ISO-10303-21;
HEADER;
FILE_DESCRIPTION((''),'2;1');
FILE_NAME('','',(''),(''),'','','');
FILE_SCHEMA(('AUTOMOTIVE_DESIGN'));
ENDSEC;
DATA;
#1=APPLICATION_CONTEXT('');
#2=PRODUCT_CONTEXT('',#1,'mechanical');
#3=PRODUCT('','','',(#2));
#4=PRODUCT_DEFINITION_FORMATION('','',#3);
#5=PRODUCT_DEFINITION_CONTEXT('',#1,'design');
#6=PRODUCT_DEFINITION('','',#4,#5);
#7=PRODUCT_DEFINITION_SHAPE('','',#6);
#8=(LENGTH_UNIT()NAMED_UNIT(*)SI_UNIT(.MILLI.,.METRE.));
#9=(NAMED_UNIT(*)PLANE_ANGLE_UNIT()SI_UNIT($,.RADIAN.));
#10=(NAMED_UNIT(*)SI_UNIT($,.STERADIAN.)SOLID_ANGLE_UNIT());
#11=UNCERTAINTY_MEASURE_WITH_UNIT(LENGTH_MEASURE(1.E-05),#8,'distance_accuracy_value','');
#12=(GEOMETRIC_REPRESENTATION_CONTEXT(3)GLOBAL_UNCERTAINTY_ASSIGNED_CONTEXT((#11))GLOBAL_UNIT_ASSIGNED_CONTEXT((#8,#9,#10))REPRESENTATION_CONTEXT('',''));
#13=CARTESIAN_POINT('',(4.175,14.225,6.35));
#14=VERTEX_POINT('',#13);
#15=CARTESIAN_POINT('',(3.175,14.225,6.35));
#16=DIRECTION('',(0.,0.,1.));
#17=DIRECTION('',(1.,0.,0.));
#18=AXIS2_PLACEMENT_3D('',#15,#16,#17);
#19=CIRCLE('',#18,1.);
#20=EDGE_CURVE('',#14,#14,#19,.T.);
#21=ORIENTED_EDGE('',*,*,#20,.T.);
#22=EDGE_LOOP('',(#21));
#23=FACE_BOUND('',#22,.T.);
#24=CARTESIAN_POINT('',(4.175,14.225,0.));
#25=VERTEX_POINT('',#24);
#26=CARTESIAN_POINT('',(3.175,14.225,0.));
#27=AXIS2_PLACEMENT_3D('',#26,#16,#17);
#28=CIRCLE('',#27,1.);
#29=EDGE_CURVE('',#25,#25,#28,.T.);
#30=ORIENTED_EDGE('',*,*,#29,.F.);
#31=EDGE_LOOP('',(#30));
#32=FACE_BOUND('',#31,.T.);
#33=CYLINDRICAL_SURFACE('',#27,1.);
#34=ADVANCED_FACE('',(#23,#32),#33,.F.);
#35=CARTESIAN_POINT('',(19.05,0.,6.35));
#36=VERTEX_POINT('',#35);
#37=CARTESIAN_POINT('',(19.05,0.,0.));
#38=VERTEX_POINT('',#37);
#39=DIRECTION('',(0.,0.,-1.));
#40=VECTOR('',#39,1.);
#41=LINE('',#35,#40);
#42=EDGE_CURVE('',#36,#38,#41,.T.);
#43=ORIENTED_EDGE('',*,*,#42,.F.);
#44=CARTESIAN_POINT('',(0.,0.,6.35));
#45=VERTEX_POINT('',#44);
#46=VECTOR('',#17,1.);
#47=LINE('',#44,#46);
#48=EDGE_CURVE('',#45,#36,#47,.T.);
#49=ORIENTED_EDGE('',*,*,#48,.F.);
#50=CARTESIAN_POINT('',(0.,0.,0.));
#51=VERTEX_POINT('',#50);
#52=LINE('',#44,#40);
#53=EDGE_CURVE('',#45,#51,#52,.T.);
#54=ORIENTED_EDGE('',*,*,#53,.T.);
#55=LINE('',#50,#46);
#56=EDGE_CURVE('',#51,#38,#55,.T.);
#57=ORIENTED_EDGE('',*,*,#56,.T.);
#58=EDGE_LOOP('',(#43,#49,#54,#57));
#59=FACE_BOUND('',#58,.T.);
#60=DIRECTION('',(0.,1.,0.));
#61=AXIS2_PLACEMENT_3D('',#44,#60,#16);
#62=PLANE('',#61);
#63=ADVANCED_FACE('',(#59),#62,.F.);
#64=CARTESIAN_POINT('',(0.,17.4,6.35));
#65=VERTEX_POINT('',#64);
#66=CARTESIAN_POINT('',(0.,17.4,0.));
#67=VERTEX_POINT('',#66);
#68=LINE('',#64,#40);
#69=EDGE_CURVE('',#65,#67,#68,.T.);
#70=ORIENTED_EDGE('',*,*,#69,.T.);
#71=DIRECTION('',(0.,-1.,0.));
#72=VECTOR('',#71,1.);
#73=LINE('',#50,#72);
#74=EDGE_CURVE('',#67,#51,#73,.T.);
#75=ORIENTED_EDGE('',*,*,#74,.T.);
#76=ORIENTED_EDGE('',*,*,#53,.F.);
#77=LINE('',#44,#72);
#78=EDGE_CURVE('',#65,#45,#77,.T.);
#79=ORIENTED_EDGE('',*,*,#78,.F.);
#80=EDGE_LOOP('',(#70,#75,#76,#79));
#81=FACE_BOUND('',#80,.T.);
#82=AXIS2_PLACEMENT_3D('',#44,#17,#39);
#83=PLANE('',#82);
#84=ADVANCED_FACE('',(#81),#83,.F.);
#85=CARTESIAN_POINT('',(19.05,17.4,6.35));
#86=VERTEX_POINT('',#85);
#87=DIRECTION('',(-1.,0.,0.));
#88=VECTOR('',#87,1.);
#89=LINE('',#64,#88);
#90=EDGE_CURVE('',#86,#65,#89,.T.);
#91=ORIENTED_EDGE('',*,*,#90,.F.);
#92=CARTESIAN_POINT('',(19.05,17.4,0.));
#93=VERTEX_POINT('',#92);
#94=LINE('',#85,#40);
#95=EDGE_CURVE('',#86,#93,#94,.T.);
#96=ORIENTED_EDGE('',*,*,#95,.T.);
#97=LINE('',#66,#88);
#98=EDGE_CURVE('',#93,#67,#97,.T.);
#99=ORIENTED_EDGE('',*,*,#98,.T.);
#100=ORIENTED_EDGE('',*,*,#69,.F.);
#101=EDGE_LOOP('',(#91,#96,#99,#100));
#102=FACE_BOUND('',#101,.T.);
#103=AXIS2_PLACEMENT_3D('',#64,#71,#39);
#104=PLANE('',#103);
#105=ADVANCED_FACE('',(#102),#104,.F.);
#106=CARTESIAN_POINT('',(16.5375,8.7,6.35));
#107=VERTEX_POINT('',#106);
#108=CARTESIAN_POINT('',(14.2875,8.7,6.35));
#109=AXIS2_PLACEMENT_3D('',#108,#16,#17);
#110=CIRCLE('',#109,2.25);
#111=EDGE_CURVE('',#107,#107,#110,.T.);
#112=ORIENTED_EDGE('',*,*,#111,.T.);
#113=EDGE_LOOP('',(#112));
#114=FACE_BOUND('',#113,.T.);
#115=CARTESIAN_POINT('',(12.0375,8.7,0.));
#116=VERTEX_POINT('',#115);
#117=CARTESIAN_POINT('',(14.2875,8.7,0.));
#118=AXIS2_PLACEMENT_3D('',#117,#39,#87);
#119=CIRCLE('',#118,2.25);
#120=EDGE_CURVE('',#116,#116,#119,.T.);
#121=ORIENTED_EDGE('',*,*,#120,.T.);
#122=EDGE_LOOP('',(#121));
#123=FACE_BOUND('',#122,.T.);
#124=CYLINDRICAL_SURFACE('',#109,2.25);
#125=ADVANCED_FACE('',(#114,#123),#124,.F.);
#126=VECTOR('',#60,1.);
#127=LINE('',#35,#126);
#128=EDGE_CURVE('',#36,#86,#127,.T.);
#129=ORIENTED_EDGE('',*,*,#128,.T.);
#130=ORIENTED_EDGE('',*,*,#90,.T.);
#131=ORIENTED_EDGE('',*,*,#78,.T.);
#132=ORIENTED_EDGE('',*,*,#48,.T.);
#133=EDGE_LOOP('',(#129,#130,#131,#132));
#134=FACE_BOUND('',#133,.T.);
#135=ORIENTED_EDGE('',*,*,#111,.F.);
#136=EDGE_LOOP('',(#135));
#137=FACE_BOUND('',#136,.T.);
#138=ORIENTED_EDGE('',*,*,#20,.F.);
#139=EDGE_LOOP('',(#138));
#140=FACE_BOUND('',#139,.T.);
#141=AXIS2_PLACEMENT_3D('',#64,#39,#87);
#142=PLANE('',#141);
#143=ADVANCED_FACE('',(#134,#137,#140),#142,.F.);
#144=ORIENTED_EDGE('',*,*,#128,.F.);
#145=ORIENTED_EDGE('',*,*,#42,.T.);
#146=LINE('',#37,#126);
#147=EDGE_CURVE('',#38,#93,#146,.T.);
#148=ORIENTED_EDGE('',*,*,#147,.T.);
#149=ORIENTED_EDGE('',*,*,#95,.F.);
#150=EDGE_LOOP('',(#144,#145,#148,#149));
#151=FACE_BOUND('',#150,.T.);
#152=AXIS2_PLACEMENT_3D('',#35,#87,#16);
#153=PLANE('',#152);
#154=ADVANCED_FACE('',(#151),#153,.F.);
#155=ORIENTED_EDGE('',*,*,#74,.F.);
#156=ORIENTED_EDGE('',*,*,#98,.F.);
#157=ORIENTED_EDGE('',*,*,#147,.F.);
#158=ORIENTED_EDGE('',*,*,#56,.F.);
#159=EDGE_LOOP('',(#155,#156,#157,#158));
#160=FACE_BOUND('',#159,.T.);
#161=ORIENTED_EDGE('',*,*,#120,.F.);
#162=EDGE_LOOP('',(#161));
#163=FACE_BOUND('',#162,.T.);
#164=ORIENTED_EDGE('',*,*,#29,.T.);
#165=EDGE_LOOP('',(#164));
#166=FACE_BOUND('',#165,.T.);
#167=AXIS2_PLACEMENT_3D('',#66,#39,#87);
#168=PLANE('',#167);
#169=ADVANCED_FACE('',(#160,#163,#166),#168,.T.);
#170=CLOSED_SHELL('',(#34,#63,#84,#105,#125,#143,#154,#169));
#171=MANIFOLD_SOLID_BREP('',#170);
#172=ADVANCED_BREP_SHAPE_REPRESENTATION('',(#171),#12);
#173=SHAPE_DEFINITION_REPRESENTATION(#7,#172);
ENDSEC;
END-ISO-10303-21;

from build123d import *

# Parameters (mm, degrees)
SKETCH1_W                = 19.05
SKETCH1_H                = 17.4
BOSS_EXTRUDE1_DEPTH      = 6.35
M4_CLEARANCE_HOLE1_D     = 4.5
M4_CLEARANCE_HOLE1_DEPTH = 12.7
M4_CLEARANCE_HOLE1_TIP   = 1.351936393
SKETCH4_R                = 1
CUT_EXTRUDE1_DEPTH       = 27.570378243


with BuildPart() as part:
    # Sketch1 → Boss-Extrude1 (new body)
    with BuildSketch(Plane.XY):
        with Locations((9.525, 8.7)):
            Rectangle(SKETCH1_W, SKETCH1_H)
    extrude(amount=BOSS_EXTRUDE1_DEPTH)

    # M4 Clearance Hole1
    with Locations(Plane.XY.offset(6.35)):
        with Locations((14.2875, 8.7)):
            Hole(M4_CLEARANCE_HOLE1_D / 2, depth=M4_CLEARANCE_HOLE1_DEPTH)
            with Locations((0, 0, -(M4_CLEARANCE_HOLE1_DEPTH + M4_CLEARANCE_HOLE1_TIP / 2))):  # 118° drill point
                Cone(0, M4_CLEARANCE_HOLE1_D / 2, M4_CLEARANCE_HOLE1_TIP, mode=Mode.SUBTRACT)

    # Sketch4 → Cut-Extrude1 (cut, through all)
    with BuildSketch(Plane.XY.offset(6.35)):
        with Locations((3.175, 14.225)):
            Circle(SKETCH4_R)
    extrude(amount=-CUT_EXTRUDE1_DEPTH, mode=Mode.SUBTRACT)


solid = part.part
